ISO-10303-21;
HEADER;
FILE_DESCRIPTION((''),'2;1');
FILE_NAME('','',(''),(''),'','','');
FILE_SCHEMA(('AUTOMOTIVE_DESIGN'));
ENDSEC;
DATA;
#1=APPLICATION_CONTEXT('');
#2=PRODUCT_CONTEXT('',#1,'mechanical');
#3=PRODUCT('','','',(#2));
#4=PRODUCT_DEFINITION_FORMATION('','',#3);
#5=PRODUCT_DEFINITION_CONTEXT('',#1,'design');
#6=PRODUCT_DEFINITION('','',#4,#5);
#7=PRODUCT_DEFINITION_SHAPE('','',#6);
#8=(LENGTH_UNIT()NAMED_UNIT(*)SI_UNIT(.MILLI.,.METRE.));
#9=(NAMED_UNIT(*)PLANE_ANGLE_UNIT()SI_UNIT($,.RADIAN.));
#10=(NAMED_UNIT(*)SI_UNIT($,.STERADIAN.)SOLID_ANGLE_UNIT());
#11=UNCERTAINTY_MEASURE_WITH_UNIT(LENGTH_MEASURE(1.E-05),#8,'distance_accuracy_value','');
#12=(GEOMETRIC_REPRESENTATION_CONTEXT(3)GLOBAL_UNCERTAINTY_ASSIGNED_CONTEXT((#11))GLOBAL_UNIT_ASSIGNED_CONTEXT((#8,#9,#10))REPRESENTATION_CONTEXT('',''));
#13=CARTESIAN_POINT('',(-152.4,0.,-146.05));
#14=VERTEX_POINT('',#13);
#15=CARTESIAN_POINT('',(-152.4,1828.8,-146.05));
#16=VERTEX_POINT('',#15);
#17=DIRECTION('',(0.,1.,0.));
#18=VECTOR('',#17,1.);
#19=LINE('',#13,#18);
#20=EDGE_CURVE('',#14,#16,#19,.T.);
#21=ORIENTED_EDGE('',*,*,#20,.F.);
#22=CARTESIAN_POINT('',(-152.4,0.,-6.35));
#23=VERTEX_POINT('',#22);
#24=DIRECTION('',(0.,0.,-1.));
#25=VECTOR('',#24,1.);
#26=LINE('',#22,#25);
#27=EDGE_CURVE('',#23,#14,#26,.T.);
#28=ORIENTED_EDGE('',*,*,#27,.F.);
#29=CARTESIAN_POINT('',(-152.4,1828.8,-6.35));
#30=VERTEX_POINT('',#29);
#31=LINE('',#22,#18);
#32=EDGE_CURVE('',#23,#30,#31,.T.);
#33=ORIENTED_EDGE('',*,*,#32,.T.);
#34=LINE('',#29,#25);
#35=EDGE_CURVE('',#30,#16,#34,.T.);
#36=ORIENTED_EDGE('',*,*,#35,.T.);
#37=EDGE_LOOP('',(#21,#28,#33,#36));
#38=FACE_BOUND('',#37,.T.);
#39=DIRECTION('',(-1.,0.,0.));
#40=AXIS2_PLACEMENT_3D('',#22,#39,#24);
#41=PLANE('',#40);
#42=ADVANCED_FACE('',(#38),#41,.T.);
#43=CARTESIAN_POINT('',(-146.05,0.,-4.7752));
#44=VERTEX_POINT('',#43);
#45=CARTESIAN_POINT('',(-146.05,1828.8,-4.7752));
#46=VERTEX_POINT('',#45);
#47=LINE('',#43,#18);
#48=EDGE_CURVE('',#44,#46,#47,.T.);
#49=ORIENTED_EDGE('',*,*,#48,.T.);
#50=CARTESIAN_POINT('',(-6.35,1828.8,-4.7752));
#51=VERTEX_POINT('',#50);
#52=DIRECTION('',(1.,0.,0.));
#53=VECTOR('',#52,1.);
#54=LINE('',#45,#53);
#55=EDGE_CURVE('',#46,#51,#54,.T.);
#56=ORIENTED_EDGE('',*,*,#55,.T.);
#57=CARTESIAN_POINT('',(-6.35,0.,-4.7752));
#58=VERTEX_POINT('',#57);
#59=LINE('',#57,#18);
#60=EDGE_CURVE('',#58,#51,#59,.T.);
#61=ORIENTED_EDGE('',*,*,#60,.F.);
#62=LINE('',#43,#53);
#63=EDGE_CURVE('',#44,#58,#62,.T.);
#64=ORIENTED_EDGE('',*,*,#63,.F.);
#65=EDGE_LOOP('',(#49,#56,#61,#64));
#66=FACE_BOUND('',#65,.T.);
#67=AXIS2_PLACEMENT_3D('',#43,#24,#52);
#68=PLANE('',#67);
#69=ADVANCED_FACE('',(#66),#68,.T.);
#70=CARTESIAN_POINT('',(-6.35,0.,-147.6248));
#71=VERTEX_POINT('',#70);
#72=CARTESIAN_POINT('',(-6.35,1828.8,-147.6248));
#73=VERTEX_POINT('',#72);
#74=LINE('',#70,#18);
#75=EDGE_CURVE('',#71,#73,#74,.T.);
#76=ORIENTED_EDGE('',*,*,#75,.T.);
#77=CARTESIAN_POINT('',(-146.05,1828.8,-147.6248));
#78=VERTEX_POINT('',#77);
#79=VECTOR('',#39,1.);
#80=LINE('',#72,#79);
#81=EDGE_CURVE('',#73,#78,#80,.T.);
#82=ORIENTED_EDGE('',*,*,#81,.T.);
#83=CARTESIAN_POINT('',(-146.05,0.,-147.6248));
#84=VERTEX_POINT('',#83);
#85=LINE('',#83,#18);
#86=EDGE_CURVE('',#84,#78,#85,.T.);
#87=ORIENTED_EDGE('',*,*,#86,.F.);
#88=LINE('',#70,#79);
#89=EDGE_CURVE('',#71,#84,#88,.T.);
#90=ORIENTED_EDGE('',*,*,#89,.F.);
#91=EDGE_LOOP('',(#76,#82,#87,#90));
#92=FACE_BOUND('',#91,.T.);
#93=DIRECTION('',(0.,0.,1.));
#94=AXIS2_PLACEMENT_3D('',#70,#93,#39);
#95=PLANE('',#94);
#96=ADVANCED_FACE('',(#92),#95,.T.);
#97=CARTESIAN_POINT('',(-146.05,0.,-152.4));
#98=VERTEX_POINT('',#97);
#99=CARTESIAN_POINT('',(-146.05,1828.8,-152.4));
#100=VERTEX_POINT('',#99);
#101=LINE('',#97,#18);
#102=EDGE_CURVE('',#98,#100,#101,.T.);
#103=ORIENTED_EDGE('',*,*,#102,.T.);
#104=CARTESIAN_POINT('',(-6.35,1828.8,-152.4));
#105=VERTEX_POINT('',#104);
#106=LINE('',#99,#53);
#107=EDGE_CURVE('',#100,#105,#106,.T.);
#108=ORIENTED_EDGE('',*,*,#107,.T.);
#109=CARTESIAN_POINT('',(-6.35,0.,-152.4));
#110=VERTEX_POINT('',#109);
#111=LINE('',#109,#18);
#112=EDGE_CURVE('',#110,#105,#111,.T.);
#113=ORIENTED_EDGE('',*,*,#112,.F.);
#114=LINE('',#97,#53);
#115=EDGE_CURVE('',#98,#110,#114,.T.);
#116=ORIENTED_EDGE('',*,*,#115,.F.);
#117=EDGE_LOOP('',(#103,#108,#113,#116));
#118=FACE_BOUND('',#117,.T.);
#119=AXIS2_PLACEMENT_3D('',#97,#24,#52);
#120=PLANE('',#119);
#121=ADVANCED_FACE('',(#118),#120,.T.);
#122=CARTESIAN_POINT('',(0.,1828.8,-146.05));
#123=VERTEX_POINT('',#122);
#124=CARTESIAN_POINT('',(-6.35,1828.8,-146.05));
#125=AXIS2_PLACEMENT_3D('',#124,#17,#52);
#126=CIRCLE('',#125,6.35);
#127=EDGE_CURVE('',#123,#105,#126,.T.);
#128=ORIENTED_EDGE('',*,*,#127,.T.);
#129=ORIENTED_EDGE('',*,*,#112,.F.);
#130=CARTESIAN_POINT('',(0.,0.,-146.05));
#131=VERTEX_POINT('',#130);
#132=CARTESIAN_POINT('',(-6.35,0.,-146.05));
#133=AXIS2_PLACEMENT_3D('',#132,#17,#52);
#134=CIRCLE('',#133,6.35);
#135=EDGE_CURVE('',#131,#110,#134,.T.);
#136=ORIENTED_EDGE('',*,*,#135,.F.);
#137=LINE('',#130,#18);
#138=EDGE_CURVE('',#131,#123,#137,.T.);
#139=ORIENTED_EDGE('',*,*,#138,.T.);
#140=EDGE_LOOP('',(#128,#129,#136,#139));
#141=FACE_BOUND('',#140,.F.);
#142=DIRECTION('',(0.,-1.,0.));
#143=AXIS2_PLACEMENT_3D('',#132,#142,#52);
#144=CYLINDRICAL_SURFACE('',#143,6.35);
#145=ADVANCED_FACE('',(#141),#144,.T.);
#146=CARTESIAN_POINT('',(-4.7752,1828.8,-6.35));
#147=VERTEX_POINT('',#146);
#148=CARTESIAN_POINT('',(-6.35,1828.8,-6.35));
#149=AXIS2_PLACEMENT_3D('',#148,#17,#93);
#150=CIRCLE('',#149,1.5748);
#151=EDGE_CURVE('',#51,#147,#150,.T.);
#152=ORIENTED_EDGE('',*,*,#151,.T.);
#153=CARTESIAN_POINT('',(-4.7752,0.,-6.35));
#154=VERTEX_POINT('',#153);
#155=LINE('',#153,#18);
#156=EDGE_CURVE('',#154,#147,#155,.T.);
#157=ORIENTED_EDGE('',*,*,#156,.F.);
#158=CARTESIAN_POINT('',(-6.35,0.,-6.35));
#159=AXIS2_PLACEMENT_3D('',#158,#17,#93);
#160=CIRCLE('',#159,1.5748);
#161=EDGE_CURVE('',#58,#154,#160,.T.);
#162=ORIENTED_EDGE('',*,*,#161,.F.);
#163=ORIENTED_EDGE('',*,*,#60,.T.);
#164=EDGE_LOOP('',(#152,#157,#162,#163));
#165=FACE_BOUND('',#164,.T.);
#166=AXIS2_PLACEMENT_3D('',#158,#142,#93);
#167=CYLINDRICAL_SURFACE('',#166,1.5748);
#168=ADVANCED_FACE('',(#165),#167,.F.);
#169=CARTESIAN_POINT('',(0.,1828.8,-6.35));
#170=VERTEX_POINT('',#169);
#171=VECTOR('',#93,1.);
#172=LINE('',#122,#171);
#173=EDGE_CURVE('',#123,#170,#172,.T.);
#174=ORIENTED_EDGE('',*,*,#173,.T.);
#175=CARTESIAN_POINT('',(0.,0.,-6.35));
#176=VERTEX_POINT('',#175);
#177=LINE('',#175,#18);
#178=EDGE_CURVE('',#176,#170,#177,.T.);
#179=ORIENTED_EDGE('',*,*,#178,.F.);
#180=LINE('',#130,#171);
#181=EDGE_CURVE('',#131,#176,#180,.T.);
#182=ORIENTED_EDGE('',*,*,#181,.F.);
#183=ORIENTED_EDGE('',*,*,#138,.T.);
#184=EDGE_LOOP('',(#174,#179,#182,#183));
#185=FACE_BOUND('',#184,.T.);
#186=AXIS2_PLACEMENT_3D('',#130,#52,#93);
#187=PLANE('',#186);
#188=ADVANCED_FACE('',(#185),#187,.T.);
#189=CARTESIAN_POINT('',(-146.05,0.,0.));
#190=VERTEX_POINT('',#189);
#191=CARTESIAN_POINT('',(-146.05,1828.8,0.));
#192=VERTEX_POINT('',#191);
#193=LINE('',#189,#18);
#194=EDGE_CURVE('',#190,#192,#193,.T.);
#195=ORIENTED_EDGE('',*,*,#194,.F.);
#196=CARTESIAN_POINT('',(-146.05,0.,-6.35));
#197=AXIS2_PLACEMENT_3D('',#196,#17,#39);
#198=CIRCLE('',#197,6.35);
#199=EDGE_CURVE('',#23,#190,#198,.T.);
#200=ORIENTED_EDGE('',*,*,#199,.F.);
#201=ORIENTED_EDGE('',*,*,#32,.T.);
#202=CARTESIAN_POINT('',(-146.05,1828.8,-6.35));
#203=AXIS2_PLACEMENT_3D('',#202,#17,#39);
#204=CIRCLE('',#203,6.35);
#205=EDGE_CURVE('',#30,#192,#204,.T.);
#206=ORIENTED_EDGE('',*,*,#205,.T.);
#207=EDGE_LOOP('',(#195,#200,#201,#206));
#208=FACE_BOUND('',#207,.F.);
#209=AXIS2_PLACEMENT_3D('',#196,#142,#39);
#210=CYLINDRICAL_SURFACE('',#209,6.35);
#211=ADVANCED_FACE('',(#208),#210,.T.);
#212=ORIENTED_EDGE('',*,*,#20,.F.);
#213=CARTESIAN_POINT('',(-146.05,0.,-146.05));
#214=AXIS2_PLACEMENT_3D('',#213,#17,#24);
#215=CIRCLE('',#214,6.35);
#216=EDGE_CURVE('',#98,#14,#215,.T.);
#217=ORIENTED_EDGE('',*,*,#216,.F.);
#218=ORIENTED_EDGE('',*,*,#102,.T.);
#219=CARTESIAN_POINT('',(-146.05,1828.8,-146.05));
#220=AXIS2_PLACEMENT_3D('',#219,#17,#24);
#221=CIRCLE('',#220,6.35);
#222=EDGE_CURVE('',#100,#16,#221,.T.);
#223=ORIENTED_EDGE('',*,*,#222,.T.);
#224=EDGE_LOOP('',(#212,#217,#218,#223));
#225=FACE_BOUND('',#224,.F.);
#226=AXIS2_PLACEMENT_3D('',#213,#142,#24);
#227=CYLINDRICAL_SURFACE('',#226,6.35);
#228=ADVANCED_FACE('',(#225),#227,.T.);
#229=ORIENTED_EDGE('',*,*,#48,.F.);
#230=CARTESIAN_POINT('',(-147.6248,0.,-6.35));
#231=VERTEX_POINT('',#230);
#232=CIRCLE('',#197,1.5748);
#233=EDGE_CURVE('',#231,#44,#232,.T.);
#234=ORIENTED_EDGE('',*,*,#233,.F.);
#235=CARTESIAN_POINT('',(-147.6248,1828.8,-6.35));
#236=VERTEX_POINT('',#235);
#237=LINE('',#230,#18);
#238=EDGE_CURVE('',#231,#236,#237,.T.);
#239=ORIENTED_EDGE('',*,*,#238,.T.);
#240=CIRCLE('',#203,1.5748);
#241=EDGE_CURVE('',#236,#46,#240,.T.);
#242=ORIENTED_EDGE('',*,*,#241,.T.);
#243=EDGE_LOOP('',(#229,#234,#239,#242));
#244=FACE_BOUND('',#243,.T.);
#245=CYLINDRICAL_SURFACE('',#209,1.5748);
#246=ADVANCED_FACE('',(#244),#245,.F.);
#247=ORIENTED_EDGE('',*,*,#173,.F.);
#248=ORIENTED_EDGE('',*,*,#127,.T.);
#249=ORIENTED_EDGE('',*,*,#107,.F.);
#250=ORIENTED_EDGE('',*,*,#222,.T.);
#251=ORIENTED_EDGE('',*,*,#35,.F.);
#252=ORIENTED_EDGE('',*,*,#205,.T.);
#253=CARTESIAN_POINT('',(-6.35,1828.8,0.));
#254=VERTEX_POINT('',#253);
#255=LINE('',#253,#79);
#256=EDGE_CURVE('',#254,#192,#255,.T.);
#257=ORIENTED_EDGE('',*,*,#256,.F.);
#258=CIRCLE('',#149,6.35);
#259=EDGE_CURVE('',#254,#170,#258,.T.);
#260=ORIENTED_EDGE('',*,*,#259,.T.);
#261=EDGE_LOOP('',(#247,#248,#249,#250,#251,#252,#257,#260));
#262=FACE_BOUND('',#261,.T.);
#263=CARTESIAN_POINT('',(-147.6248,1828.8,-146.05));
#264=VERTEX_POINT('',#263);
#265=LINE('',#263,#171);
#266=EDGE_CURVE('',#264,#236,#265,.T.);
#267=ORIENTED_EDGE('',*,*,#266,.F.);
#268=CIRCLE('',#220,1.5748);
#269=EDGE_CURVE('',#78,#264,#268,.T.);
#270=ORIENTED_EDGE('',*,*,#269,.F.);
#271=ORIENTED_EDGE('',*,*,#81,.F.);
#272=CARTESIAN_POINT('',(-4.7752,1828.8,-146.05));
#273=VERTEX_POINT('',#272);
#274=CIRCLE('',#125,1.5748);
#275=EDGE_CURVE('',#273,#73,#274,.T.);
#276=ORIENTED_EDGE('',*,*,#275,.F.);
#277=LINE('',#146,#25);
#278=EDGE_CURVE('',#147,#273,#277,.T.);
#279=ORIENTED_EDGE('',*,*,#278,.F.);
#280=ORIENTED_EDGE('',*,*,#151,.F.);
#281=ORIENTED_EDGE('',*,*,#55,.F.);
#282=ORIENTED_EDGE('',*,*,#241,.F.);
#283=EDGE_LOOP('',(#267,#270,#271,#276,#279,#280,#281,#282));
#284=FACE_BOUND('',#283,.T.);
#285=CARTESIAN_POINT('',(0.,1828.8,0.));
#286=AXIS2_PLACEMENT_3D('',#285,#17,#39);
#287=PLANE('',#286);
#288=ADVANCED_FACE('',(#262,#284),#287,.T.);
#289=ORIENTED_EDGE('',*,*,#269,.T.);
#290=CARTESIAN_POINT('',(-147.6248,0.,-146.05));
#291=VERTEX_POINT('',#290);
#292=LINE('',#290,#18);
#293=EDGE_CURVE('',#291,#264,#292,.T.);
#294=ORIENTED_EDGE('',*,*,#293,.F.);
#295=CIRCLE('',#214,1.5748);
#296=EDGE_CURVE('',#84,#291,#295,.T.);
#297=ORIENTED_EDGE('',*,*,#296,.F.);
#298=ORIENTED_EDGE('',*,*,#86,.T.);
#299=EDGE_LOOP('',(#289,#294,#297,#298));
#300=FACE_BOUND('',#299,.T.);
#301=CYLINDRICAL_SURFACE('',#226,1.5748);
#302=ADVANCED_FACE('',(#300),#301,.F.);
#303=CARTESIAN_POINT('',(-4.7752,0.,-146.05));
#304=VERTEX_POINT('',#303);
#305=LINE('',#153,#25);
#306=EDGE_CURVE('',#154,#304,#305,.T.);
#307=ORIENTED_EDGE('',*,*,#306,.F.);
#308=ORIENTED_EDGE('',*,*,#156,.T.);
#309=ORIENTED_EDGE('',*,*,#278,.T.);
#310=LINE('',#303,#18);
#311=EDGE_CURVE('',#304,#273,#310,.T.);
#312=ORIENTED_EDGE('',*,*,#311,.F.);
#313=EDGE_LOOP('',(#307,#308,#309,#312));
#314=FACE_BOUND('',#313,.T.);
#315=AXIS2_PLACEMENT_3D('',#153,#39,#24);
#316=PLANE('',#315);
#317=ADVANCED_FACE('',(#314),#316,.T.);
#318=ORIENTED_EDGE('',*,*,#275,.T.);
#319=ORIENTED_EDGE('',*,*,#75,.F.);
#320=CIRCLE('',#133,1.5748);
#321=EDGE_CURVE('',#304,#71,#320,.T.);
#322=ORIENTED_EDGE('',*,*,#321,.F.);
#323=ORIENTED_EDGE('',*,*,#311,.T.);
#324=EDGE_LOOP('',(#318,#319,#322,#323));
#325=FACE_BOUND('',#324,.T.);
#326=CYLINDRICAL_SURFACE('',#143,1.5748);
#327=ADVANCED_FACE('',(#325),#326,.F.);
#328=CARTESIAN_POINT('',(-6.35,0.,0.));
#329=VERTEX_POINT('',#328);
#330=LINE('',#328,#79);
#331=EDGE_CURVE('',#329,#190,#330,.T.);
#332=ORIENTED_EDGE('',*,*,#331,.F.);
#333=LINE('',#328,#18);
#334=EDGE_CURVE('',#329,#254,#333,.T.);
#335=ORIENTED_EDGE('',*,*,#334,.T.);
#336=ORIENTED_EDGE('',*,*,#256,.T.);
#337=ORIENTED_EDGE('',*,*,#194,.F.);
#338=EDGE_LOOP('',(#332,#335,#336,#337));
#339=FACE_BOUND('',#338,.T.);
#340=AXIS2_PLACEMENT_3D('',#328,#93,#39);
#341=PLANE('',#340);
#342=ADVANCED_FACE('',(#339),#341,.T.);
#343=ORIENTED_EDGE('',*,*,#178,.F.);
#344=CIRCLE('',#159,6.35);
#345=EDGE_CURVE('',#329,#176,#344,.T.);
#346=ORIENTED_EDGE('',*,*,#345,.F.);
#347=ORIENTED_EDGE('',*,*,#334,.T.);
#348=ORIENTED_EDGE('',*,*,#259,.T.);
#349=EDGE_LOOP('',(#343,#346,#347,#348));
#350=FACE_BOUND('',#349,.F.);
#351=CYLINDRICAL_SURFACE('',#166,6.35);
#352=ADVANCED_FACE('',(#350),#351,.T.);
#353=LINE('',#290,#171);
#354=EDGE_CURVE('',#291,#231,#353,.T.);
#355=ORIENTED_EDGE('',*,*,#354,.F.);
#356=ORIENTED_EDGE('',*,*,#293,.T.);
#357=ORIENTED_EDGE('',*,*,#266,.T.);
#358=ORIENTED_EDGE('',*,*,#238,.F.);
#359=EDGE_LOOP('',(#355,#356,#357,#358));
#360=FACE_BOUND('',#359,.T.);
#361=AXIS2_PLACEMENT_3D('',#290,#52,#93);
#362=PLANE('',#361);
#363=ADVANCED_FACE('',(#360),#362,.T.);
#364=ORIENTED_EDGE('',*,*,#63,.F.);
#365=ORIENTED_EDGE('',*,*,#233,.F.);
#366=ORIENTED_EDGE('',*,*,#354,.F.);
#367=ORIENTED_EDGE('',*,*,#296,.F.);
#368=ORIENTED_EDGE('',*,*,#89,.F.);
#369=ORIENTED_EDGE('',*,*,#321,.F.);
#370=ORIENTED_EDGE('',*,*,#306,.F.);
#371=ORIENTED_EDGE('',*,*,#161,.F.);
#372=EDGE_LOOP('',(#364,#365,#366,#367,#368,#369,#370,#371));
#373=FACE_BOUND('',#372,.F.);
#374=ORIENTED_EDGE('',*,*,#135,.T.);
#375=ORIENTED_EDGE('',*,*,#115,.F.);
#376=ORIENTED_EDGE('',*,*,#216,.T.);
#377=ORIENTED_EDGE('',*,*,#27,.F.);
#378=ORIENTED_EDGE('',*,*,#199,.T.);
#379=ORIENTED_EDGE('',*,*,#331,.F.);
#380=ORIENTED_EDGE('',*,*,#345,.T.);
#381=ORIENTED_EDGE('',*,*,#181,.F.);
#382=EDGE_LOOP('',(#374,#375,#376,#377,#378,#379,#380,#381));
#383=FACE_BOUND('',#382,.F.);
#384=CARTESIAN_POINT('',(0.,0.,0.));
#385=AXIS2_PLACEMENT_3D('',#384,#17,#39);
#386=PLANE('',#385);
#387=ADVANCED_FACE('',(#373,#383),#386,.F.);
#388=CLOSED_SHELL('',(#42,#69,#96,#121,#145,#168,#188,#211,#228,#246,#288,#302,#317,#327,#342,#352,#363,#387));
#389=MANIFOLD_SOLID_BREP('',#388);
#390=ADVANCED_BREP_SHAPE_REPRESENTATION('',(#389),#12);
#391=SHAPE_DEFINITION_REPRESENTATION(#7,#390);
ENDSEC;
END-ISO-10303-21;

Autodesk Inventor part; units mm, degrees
ref_plane "YZ Plane" through (0, 0, 0) normal (1, 0, 0) x (0, 1, 0)
ref_plane "XZ Plane" through (0, 0, 0) normal (0, 1, 0) x (-1, 0, 0)
ref_plane "XY Plane" through (0, 0, 0) normal (0, 0, 1) x (1, 0, 0)
sketch "Sketch1" plane through (0, 0, 0) normal (0, 1, 0) x (-1, 0, 0)
  line L0 (6.35, 0) -> (146.05, 0)
  line L1 (152.4, -6.35) -> (152.4, -146.05)
  line L2 (146.05, -152.4) -> (6.35, -152.4)
  line L3 (0, -146.05) -> (0, -6.35)
  arc A0 (146.05, -152.4) -> (152.4, -146.05) centre (146.05, -146.05) ccw
  arc A1 (152.4, -6.35) -> (146.05, 0) centre (146.05, -6.35) ccw
  arc A2 (0, -146.05) -> (6.35, -152.4) centre (6.35, -146.05) ccw
  arc A3 (152.4, -6.35) -> (146.05, 0) centre (146.05, -6.35) ccw
  arc A4 (6.35, 0) -> (0, -6.35) centre (6.35, -6.35) ccw
  line L4 (147.6248, -146.05) -> (147.6248, -6.35)
  arc A5 (147.6248, -6.35) -> (146.05, -4.7752) centre (146.05, -6.35) ccw
  line L5 (146.05, -4.7752) -> (6.35, -4.7752)
  arc A6 (6.35, -4.7752) -> (4.7752, -6.35) centre (6.35, -6.35) ccw
  line L6 (4.7752, -6.35) -> (4.7752, -146.05)
  arc A7 (4.7752, -146.05) -> (6.35, -147.6248) centre (6.35, -146.05) ccw
  line L7 (6.35, -147.6248) -> (146.05, -147.6248)
  arc A8 (146.05, -147.6248) -> (147.6248, -146.05) centre (146.05, -146.05) ccw
  point P0 (0, 0)
  point P1 (152.4, -152.4)
  point P2 (152.4, 0)
  point P3 (0, -152.4)
  dimension "d0" = 152.4
  dimension "d1" = 152.4
  dimension "d2" = 6.35
  dimension "d3" = 6.35
  dimension "d4" = 6.35
  dimension "d5" = 4.7752
extrude "Extrusion1" add sketch "Sketch1" along normal blind 1828.8
properties part number "21015-22-1-3- 6X6 Stanchion" material "Steel, Carbon"
